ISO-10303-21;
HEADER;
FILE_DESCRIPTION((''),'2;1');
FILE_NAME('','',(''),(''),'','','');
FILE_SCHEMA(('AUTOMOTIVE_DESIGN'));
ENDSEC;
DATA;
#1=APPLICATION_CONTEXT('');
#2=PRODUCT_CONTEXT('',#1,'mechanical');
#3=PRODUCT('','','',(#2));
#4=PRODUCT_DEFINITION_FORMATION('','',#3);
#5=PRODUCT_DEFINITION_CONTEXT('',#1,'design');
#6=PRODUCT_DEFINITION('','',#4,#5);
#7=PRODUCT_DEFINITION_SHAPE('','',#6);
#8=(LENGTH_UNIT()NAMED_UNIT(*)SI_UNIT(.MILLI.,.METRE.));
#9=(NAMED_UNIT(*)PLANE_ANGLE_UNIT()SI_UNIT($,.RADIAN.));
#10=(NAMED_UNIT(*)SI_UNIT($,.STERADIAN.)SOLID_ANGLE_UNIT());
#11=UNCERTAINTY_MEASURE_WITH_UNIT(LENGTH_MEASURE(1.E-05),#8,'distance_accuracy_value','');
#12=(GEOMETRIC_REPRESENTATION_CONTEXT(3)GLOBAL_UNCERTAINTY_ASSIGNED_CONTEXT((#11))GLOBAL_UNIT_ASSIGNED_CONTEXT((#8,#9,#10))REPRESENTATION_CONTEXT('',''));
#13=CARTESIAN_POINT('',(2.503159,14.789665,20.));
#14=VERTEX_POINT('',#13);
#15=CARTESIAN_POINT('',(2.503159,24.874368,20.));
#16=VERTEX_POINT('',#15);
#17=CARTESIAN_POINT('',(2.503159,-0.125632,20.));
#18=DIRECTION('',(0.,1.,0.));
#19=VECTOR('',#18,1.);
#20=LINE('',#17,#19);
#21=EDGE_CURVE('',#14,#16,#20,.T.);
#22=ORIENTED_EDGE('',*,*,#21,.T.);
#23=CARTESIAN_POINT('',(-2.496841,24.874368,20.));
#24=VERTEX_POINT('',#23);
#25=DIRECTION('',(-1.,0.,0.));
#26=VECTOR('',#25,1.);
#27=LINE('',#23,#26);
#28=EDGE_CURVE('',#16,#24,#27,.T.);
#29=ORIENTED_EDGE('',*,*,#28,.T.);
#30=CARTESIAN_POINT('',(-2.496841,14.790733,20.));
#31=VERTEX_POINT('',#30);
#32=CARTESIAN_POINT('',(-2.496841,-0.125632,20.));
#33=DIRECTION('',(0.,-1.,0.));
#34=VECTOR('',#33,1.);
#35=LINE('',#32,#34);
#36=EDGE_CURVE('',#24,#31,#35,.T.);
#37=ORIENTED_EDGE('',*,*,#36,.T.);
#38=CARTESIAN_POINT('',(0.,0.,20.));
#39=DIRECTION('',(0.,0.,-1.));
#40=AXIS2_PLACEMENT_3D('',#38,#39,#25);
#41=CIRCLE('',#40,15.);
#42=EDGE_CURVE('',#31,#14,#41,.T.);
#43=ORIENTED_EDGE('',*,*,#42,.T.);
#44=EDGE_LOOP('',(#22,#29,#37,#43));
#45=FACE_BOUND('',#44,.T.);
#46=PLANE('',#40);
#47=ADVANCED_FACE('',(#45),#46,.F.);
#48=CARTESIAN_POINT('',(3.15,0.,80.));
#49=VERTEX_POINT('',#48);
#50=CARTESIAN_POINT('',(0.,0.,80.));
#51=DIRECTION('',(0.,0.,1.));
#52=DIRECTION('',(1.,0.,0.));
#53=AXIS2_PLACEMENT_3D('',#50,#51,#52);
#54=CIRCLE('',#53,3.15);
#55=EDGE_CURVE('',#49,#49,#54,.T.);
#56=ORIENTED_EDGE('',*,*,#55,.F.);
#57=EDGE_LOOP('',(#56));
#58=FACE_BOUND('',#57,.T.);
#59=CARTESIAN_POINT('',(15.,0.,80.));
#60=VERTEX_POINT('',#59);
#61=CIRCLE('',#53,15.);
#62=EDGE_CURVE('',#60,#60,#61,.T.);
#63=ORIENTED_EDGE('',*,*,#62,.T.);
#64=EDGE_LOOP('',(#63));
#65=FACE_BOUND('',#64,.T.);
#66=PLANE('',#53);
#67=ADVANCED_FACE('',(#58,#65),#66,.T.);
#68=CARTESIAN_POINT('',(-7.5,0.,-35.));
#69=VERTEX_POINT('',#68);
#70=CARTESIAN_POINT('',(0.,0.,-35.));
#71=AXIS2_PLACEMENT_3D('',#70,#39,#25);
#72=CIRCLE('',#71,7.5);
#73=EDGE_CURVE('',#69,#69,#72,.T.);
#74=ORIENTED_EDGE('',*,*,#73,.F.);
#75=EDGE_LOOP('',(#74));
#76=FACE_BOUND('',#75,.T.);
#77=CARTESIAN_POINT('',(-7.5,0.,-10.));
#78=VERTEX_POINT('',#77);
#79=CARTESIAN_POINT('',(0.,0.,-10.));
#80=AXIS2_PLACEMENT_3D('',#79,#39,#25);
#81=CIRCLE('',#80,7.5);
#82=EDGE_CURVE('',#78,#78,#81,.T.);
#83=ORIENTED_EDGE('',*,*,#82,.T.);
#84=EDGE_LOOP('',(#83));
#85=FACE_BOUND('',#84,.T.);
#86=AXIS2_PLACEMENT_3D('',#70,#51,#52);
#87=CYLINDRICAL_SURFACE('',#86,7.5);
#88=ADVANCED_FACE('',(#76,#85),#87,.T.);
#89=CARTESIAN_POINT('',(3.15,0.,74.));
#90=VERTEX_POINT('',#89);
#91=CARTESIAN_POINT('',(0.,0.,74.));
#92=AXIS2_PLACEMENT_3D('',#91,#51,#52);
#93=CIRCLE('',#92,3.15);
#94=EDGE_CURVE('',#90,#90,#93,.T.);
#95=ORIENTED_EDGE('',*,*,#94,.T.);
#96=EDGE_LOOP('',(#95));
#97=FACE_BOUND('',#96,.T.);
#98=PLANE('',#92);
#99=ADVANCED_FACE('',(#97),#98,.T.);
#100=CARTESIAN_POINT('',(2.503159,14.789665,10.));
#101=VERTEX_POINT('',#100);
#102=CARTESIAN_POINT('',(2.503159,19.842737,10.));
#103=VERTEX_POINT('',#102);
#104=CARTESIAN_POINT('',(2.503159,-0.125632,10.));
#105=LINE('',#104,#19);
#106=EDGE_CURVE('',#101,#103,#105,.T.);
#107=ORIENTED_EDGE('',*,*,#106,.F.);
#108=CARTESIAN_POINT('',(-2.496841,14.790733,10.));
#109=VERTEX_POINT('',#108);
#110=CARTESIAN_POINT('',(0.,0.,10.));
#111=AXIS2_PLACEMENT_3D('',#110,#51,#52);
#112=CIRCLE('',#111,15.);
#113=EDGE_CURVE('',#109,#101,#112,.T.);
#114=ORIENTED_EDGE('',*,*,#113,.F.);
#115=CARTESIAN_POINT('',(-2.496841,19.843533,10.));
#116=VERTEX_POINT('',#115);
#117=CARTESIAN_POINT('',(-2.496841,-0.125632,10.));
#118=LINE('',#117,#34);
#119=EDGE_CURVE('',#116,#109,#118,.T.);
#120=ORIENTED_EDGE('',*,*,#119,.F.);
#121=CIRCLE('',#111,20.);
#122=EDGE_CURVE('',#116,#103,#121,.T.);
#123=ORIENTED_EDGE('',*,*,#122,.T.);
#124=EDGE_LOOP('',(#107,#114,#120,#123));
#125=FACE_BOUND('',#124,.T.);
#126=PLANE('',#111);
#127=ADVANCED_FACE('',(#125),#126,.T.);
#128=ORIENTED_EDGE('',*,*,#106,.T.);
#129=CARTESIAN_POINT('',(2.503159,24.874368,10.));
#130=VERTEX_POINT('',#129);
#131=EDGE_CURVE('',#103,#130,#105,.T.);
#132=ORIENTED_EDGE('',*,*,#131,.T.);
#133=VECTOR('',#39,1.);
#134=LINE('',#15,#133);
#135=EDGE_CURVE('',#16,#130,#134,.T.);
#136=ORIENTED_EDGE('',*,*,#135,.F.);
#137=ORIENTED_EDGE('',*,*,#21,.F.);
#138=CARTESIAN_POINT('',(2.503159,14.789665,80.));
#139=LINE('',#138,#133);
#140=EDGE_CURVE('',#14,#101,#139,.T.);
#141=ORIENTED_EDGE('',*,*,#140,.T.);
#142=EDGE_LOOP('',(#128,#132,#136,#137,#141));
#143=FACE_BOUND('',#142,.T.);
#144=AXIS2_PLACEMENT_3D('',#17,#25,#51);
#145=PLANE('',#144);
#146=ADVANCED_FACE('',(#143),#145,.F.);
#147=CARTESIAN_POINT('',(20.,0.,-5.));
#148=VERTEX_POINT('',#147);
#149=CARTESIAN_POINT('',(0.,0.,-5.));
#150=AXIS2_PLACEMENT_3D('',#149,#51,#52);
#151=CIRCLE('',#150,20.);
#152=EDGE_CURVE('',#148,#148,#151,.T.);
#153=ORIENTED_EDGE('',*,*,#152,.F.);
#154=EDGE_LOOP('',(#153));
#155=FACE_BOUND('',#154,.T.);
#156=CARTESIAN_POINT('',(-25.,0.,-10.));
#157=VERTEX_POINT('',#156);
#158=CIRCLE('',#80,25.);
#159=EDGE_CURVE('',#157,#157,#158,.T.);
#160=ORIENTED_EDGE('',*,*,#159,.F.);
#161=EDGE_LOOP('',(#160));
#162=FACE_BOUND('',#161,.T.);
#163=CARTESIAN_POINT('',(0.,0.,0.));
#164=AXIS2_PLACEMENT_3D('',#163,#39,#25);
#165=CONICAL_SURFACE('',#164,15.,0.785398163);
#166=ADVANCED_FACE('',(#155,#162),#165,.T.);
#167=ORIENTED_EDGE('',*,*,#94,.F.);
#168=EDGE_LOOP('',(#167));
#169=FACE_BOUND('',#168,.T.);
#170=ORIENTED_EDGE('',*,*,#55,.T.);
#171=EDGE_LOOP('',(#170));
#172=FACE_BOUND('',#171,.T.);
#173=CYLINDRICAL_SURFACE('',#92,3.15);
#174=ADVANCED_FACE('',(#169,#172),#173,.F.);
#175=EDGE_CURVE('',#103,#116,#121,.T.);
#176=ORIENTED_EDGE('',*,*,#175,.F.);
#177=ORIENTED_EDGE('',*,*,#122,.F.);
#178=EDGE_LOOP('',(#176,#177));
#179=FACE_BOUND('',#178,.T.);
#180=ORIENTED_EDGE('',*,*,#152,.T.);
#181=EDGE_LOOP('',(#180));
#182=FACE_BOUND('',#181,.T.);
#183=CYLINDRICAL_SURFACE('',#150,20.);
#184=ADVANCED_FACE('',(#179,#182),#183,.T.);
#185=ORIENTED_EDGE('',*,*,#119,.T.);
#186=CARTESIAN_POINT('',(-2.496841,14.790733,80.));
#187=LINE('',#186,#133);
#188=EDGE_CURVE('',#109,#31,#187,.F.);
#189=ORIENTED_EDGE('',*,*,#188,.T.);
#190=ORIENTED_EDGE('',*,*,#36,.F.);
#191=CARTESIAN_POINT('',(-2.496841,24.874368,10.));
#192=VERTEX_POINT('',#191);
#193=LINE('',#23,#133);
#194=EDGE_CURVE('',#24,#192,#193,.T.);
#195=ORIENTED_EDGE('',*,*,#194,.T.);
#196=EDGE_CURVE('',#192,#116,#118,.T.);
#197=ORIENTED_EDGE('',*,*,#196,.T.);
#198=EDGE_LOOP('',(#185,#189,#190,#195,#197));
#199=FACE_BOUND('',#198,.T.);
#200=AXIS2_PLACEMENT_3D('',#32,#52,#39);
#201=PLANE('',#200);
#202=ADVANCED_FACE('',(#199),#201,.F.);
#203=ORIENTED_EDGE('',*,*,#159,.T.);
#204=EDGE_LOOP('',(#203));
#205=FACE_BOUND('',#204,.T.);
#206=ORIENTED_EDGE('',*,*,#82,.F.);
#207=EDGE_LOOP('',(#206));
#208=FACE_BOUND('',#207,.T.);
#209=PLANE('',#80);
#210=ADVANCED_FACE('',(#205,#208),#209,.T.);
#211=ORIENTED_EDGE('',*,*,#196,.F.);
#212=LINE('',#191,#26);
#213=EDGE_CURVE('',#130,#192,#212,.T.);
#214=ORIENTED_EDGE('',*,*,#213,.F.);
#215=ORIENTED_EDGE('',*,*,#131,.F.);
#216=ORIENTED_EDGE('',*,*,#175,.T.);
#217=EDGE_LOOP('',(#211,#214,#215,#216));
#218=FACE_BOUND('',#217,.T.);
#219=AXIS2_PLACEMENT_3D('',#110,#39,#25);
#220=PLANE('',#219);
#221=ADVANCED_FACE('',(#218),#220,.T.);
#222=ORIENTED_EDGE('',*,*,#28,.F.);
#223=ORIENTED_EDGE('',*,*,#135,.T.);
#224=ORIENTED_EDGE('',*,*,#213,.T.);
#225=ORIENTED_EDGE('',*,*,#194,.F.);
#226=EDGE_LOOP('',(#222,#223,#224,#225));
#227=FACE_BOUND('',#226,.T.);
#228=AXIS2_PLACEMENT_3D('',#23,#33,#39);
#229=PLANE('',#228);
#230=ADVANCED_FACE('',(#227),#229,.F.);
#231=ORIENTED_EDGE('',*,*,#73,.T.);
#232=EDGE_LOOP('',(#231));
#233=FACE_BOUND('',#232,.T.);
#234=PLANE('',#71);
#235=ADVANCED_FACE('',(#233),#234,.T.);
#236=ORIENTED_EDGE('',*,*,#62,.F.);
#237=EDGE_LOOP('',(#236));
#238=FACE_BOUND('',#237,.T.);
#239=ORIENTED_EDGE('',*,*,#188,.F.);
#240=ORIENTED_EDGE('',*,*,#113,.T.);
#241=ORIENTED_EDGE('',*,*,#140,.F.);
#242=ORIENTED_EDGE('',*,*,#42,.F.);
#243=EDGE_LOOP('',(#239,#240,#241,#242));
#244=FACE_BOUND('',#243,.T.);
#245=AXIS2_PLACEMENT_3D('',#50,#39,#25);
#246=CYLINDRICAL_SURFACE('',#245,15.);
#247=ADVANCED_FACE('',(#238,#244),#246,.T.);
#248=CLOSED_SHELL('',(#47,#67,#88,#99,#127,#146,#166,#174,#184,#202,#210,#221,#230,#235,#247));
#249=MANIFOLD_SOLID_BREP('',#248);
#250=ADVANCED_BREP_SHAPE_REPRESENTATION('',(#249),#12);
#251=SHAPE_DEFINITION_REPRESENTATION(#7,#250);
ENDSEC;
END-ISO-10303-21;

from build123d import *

# Parameters (mm, degrees)
SKETCH1_R           = 15
BOSS_EXTRUDE1_DEPTH = 80
SKETCH1_2_R         = 15
SKETCH2_R           = 25
SKETCH3_R           = 7.5
BOSS_EXTRUDE2_DEPTH = 25
SKETCH4_W           = 5
SKETCH4_H           = 25
BOSS_EXTRUDE3_DEPTH = 10
SKETCH5_R           = 3.15
CUT_EXTRUDE1_DEPTH  = 6
SKETCH6_R           = 20
BOSS_EXTRUDE4_DEPTH = 15


with BuildPart() as part:
    # Sketch1 → Boss-Extrude1 (new body)
    with BuildSketch(Plane.XY):
        Circle(SKETCH1_R)
    extrude(amount=BOSS_EXTRUDE1_DEPTH)

    # Sketch1<2> → Loft1 section 0
    with BuildSketch(Plane.XY):
        Circle(SKETCH1_2_R)
    # Sketch2 → Loft1 section 1
    with BuildSketch(Plane(origin=(0, 0, -10), x_dir=(-1, 0, 0), z_dir=(0, 0, -1))):
        Circle(SKETCH2_R)
    loft()

    # Sketch3 → Boss-Extrude2 (add)
    with BuildSketch(Plane(origin=(0, 0, -10), x_dir=(-1, 0, 0), z_dir=(0, 0, -1))):
        Circle(SKETCH3_R)
    extrude(amount=BOSS_EXTRUDE2_DEPTH)

    # Sketch4 → Boss-Extrude3 (add)
    with BuildSketch(Plane.XY.offset(10)):
        with Locations((0.003158662, 12.374368268)):
            Rectangle(SKETCH4_W, SKETCH4_H)
    extrude(amount=BOSS_EXTRUDE3_DEPTH)

    # Sketch5 → Cut-Extrude1 (cut)
    with BuildSketch(Plane.XY.offset(80)):
        Circle(SKETCH5_R)
    extrude(amount=-CUT_EXTRUDE1_DEPTH, mode=Mode.SUBTRACT)

    # Sketch6 → Boss-Extrude4 (add)
    with BuildSketch(Plane.XY.offset(10)):
        Circle(SKETCH6_R)
    extrude(amount=-BOSS_EXTRUDE4_DEPTH)


solid = part.part
